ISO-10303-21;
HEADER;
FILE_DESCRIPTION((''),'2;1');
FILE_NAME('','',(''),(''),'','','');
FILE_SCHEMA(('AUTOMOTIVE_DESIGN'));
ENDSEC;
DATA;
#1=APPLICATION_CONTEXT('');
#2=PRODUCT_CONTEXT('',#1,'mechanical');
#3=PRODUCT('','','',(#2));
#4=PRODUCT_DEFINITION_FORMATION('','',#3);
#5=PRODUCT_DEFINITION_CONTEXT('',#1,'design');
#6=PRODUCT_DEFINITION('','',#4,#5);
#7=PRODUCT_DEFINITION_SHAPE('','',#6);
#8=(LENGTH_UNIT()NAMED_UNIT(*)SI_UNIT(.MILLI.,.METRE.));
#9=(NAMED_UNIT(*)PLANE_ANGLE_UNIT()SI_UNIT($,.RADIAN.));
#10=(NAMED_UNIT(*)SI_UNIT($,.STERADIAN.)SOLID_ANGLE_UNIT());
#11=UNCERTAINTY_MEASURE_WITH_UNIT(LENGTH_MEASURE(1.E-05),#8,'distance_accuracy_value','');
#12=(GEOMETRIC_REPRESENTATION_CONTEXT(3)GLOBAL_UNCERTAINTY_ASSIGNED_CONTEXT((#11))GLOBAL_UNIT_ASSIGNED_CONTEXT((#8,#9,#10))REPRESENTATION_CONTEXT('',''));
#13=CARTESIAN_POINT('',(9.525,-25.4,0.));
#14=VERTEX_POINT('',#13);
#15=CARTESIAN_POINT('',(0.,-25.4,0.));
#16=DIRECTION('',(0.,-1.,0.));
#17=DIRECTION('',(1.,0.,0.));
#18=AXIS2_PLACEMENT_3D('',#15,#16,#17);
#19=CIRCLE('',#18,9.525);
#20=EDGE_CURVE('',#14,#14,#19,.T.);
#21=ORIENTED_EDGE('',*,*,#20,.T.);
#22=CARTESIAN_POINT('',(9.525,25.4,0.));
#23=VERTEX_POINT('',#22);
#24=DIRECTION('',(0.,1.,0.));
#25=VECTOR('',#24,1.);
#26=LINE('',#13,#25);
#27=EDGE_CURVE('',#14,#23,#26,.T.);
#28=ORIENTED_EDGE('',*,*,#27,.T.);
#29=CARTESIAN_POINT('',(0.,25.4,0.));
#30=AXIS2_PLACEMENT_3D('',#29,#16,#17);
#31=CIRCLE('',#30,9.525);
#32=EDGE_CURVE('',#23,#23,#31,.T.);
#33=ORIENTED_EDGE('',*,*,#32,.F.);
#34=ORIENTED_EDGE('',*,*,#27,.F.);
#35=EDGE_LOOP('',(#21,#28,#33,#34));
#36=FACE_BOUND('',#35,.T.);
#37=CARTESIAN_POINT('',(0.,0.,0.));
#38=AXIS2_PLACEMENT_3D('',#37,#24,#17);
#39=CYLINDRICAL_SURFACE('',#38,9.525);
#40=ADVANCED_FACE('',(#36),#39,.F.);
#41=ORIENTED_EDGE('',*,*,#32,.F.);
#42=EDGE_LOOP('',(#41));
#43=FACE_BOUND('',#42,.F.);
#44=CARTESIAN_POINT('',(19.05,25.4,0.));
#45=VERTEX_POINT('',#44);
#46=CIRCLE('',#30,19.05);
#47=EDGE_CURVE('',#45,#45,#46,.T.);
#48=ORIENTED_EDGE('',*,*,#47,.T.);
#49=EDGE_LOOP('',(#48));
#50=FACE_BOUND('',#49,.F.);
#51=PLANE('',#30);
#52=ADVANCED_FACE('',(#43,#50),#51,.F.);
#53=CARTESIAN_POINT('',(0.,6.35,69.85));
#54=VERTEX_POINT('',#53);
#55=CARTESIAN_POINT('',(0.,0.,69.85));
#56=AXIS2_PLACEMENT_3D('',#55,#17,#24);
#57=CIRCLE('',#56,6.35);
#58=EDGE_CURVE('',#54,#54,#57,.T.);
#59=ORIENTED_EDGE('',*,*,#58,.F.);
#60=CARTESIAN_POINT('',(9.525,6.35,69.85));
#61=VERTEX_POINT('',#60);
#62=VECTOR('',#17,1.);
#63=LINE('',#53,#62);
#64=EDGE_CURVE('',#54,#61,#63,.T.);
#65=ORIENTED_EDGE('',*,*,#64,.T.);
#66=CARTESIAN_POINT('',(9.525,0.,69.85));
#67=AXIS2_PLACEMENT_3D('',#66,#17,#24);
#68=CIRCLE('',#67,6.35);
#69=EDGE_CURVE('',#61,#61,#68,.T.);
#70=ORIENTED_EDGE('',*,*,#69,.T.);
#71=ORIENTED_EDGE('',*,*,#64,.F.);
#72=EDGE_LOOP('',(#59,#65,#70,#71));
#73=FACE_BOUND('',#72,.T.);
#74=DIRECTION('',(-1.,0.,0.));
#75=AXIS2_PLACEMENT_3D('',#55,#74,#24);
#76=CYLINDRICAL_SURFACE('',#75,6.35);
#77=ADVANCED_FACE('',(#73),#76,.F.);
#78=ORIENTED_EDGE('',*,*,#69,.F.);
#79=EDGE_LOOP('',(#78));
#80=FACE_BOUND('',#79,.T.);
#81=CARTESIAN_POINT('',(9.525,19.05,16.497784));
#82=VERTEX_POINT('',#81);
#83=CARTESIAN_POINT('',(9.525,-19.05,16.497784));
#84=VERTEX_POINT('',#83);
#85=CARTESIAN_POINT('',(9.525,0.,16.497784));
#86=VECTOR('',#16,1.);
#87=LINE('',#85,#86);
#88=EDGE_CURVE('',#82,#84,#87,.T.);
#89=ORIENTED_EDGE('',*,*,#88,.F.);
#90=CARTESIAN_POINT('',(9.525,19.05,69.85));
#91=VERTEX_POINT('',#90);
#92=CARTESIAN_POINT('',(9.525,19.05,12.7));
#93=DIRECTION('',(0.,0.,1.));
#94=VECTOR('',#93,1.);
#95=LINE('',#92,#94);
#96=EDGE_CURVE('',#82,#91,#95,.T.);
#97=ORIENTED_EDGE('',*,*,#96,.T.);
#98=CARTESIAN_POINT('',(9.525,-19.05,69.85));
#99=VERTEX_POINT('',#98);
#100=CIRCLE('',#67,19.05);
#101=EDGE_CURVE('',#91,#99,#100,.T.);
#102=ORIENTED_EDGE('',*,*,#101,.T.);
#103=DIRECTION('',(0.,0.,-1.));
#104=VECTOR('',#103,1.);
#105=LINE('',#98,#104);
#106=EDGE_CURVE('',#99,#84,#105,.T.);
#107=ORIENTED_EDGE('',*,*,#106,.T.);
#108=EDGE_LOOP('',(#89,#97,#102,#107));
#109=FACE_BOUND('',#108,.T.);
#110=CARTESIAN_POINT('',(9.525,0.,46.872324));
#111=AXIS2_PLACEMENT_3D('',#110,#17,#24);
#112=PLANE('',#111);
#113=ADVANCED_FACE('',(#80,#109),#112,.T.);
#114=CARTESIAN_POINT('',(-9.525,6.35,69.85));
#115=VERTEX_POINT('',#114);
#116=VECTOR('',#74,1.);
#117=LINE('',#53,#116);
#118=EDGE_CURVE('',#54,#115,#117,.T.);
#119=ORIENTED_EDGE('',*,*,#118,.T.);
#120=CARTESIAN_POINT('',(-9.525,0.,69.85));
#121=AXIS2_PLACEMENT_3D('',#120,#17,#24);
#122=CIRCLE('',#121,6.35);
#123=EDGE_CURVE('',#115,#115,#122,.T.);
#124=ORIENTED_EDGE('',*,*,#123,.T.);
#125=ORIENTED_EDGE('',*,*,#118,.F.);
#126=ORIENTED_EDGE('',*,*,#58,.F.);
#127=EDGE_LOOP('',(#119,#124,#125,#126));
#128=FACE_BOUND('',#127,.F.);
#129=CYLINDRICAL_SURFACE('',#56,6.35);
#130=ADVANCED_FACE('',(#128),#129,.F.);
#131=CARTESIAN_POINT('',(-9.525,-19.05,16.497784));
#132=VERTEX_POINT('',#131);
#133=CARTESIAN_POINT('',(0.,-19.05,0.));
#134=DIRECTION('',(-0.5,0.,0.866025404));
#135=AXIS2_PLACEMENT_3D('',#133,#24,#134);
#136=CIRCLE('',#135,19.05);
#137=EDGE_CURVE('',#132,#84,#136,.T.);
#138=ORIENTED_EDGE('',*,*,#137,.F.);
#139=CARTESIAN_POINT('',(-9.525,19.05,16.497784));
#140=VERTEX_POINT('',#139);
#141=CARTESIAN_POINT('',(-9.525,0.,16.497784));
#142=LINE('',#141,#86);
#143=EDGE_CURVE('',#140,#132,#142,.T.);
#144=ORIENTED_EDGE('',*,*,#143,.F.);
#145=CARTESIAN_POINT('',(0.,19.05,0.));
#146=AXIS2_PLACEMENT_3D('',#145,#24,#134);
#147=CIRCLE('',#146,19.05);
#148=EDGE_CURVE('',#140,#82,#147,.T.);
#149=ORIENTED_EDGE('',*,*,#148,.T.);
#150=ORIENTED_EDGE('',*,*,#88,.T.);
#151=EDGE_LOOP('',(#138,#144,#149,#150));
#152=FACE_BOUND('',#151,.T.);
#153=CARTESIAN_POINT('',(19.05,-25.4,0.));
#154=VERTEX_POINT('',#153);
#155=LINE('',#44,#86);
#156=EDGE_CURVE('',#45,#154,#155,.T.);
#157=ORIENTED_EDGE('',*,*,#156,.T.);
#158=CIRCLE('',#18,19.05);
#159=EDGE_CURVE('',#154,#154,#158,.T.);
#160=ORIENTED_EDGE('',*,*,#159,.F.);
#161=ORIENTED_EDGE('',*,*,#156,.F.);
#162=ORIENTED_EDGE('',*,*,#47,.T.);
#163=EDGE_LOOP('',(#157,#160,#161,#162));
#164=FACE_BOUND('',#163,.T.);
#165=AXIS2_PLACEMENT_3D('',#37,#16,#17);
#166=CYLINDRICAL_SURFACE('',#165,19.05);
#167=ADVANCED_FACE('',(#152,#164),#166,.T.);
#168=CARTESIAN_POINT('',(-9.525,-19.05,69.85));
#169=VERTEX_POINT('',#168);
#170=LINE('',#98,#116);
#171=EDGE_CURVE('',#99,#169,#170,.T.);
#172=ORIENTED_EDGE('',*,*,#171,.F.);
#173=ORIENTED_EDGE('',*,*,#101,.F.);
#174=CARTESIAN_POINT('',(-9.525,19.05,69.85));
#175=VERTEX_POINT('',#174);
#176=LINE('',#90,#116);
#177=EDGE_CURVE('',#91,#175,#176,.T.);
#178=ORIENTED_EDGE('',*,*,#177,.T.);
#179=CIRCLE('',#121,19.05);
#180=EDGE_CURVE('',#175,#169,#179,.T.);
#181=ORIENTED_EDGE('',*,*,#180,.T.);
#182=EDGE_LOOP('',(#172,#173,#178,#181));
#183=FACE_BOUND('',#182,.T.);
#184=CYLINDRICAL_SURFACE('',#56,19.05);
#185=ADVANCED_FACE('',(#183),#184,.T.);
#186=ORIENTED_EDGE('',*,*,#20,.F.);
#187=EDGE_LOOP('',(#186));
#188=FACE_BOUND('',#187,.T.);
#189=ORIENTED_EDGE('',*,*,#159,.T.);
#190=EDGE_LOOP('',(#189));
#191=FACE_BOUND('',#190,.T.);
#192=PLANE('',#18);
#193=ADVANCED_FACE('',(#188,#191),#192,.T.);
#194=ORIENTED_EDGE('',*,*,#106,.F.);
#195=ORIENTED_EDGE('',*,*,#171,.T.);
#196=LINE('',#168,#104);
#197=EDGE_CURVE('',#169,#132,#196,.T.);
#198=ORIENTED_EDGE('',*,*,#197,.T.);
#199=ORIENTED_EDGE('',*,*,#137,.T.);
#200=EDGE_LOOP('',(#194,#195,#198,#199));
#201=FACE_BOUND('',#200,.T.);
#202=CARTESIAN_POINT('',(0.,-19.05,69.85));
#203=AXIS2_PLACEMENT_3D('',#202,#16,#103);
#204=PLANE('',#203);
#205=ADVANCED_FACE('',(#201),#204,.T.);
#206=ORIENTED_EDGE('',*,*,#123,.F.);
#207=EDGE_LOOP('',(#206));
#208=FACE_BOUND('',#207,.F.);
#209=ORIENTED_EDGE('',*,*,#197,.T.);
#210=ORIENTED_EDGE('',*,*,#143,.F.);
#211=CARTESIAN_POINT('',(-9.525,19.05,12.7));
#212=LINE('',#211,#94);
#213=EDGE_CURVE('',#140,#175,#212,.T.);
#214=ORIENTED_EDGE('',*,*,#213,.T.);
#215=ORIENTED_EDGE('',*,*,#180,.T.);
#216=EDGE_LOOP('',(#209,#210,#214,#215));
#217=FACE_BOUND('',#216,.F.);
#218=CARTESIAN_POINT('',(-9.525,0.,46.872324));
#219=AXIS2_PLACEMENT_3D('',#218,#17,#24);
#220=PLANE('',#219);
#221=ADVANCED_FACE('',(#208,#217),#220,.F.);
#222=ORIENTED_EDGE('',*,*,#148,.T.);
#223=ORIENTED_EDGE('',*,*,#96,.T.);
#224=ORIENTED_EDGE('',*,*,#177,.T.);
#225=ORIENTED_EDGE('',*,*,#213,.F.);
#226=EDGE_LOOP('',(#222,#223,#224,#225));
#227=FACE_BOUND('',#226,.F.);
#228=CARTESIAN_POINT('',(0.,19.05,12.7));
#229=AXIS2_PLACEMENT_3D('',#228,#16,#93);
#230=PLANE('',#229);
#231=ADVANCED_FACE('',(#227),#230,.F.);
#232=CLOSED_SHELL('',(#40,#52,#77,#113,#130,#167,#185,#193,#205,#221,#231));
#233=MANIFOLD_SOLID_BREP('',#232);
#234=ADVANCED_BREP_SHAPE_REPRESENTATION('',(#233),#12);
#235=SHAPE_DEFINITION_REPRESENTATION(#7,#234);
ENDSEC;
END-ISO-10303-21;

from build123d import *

# Parameters (mm, degrees)
F0_R          = 19.05
F0_R_2        = 9.525
F1_DEPTH      = 25.4
F1_DEPTH_BACK = 25.4
F2_R          = 6.35
F3_DEPTH      = 9.525
F3_DEPTH_BACK = 9.525


with BuildPart() as f1:
    # F0 (on Front) → F1 (new body, two sides)
    with BuildSketch(Plane.XZ) as f1_sk:
        Circle(F0_R)
        Circle(F0_R_2, mode=Mode.SUBTRACT)
    extrude(amount=F1_DEPTH)
    extrude(f1_sk.sketch, amount=-F1_DEPTH_BACK)

    # F2 (on Right) → F3 (join, two sides)
    with BuildSketch(Plane.YZ) as f3_sk:
        with BuildLine():
            Line((-19.05, 69.85), (-19.05, 12.7))
            Line((-19.05, 12.7), (19.05, 12.7))
            Line((19.05, 12.7), (19.05, 69.85))
            ThreePointArc((19.05, 69.85), (0, 88.9), (-19.05, 69.85))
        make_face()
        with Locations((0, 69.85)):
            Circle(F2_R, mode=Mode.SUBTRACT)
    extrude(amount=F3_DEPTH)
    extrude(f3_sk.sketch, amount=-F3_DEPTH_BACK)


solid = f1.part
